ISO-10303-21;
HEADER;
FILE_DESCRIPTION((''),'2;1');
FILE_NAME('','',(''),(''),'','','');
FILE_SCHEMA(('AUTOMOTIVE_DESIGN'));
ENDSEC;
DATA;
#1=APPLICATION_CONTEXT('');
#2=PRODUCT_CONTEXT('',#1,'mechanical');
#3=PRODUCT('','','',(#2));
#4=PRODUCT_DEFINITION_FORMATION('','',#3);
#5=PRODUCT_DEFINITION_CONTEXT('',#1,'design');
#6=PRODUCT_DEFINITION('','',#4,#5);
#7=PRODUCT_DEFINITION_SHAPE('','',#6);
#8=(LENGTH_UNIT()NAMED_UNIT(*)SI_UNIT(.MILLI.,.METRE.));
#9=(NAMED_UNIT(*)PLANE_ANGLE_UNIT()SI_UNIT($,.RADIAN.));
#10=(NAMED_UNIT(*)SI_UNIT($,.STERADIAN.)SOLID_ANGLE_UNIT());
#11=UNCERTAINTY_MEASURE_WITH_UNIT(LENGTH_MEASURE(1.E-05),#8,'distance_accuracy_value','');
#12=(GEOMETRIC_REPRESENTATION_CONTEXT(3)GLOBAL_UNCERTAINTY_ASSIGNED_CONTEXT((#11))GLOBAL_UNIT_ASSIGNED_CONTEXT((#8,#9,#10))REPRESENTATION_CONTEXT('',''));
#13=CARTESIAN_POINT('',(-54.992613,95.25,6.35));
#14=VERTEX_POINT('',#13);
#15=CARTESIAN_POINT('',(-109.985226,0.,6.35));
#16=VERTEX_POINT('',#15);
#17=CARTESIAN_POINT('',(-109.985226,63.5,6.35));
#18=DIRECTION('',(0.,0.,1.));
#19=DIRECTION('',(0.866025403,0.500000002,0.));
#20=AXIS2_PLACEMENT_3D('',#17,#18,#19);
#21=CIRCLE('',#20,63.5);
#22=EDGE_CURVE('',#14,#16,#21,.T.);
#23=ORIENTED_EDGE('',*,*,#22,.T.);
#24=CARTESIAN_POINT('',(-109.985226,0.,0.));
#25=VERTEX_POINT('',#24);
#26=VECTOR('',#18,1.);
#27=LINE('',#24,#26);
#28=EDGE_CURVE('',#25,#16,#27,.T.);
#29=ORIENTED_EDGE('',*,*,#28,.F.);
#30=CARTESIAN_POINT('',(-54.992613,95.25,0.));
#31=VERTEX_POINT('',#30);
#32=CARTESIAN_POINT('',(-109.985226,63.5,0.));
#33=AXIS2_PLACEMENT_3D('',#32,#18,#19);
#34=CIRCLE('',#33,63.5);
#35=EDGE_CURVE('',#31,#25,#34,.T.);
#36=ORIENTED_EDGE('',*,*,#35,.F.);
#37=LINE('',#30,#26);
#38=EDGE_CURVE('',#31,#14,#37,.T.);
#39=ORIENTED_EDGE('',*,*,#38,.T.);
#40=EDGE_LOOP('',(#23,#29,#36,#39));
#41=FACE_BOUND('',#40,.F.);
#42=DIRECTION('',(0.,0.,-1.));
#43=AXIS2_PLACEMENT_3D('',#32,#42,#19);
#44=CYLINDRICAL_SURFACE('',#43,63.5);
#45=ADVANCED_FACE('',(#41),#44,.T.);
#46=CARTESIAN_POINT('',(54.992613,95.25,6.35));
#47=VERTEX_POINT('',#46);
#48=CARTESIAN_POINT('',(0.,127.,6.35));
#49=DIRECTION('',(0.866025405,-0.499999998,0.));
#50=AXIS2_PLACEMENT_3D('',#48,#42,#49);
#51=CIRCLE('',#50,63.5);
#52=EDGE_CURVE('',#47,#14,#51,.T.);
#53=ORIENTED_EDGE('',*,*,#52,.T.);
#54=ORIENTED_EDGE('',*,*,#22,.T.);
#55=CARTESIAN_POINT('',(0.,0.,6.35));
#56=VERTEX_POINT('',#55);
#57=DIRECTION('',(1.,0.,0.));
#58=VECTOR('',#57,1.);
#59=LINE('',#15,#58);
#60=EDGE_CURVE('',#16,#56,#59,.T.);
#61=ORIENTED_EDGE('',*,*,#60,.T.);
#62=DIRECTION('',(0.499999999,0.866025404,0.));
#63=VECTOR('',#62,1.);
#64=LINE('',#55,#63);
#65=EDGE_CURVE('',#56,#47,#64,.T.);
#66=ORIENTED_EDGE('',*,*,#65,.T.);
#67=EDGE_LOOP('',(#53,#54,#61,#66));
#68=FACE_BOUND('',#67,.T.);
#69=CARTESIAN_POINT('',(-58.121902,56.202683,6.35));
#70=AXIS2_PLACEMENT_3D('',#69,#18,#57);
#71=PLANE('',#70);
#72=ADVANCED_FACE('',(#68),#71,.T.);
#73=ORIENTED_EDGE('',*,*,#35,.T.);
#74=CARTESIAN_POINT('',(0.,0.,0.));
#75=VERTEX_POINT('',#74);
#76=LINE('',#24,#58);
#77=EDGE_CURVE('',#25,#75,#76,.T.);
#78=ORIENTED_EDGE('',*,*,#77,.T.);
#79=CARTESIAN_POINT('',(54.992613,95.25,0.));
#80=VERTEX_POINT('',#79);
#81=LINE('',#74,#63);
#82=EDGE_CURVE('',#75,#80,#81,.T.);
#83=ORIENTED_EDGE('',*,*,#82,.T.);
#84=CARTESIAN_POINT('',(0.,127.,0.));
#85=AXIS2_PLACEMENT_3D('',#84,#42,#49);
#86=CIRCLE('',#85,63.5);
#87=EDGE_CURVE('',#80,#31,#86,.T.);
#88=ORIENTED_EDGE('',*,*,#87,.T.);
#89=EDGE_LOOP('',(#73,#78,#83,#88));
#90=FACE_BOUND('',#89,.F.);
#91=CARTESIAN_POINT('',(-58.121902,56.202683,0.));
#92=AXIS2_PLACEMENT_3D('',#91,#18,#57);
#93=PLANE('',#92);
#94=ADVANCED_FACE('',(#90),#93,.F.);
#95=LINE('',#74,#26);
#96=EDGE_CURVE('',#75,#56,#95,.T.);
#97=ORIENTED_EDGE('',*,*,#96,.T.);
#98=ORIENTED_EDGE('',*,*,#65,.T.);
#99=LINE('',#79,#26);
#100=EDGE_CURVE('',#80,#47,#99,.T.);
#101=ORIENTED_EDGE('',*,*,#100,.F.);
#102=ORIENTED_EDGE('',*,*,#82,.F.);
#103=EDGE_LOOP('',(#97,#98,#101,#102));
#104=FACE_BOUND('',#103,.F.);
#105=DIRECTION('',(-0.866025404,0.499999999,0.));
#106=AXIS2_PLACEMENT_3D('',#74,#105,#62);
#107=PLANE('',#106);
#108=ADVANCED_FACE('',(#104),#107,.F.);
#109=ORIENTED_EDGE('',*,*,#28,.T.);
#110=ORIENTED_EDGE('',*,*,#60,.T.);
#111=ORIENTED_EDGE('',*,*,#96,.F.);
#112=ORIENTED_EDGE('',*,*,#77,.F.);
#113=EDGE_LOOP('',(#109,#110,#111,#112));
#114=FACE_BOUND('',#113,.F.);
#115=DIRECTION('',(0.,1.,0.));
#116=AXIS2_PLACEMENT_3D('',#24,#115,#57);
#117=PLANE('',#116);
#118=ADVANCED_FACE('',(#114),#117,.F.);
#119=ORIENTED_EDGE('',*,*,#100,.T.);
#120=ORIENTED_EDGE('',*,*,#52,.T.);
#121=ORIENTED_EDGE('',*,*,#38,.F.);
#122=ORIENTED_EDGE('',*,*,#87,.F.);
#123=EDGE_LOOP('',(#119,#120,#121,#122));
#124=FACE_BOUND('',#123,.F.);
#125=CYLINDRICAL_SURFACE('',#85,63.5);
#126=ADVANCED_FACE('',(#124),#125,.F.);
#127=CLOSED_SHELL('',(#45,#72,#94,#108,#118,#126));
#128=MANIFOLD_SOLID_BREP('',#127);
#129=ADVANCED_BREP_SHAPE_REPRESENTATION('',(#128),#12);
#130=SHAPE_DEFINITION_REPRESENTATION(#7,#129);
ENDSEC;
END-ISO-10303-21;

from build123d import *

# Parameters (mm, degrees)
F2_DEPTH = 6.35


with BuildPart() as f2:
    # F1 (on Top) → F2 (new body)
    with BuildSketch(Plane.XY):
        with BuildLine():
            ThreePointArc((54.992613, 95.25), (0, 63.5), (-54.992613, 95.25))
            ThreePointArc((-54.992613, 95.25), (-164.977839, 95.25), (-109.985226, 0))
            Line((-109.985226, 0), (0, 0))
            Line((0, 0), (54.992613, 95.25))
        make_face()
    extrude(amount=F2_DEPTH)


solid = f2.part
